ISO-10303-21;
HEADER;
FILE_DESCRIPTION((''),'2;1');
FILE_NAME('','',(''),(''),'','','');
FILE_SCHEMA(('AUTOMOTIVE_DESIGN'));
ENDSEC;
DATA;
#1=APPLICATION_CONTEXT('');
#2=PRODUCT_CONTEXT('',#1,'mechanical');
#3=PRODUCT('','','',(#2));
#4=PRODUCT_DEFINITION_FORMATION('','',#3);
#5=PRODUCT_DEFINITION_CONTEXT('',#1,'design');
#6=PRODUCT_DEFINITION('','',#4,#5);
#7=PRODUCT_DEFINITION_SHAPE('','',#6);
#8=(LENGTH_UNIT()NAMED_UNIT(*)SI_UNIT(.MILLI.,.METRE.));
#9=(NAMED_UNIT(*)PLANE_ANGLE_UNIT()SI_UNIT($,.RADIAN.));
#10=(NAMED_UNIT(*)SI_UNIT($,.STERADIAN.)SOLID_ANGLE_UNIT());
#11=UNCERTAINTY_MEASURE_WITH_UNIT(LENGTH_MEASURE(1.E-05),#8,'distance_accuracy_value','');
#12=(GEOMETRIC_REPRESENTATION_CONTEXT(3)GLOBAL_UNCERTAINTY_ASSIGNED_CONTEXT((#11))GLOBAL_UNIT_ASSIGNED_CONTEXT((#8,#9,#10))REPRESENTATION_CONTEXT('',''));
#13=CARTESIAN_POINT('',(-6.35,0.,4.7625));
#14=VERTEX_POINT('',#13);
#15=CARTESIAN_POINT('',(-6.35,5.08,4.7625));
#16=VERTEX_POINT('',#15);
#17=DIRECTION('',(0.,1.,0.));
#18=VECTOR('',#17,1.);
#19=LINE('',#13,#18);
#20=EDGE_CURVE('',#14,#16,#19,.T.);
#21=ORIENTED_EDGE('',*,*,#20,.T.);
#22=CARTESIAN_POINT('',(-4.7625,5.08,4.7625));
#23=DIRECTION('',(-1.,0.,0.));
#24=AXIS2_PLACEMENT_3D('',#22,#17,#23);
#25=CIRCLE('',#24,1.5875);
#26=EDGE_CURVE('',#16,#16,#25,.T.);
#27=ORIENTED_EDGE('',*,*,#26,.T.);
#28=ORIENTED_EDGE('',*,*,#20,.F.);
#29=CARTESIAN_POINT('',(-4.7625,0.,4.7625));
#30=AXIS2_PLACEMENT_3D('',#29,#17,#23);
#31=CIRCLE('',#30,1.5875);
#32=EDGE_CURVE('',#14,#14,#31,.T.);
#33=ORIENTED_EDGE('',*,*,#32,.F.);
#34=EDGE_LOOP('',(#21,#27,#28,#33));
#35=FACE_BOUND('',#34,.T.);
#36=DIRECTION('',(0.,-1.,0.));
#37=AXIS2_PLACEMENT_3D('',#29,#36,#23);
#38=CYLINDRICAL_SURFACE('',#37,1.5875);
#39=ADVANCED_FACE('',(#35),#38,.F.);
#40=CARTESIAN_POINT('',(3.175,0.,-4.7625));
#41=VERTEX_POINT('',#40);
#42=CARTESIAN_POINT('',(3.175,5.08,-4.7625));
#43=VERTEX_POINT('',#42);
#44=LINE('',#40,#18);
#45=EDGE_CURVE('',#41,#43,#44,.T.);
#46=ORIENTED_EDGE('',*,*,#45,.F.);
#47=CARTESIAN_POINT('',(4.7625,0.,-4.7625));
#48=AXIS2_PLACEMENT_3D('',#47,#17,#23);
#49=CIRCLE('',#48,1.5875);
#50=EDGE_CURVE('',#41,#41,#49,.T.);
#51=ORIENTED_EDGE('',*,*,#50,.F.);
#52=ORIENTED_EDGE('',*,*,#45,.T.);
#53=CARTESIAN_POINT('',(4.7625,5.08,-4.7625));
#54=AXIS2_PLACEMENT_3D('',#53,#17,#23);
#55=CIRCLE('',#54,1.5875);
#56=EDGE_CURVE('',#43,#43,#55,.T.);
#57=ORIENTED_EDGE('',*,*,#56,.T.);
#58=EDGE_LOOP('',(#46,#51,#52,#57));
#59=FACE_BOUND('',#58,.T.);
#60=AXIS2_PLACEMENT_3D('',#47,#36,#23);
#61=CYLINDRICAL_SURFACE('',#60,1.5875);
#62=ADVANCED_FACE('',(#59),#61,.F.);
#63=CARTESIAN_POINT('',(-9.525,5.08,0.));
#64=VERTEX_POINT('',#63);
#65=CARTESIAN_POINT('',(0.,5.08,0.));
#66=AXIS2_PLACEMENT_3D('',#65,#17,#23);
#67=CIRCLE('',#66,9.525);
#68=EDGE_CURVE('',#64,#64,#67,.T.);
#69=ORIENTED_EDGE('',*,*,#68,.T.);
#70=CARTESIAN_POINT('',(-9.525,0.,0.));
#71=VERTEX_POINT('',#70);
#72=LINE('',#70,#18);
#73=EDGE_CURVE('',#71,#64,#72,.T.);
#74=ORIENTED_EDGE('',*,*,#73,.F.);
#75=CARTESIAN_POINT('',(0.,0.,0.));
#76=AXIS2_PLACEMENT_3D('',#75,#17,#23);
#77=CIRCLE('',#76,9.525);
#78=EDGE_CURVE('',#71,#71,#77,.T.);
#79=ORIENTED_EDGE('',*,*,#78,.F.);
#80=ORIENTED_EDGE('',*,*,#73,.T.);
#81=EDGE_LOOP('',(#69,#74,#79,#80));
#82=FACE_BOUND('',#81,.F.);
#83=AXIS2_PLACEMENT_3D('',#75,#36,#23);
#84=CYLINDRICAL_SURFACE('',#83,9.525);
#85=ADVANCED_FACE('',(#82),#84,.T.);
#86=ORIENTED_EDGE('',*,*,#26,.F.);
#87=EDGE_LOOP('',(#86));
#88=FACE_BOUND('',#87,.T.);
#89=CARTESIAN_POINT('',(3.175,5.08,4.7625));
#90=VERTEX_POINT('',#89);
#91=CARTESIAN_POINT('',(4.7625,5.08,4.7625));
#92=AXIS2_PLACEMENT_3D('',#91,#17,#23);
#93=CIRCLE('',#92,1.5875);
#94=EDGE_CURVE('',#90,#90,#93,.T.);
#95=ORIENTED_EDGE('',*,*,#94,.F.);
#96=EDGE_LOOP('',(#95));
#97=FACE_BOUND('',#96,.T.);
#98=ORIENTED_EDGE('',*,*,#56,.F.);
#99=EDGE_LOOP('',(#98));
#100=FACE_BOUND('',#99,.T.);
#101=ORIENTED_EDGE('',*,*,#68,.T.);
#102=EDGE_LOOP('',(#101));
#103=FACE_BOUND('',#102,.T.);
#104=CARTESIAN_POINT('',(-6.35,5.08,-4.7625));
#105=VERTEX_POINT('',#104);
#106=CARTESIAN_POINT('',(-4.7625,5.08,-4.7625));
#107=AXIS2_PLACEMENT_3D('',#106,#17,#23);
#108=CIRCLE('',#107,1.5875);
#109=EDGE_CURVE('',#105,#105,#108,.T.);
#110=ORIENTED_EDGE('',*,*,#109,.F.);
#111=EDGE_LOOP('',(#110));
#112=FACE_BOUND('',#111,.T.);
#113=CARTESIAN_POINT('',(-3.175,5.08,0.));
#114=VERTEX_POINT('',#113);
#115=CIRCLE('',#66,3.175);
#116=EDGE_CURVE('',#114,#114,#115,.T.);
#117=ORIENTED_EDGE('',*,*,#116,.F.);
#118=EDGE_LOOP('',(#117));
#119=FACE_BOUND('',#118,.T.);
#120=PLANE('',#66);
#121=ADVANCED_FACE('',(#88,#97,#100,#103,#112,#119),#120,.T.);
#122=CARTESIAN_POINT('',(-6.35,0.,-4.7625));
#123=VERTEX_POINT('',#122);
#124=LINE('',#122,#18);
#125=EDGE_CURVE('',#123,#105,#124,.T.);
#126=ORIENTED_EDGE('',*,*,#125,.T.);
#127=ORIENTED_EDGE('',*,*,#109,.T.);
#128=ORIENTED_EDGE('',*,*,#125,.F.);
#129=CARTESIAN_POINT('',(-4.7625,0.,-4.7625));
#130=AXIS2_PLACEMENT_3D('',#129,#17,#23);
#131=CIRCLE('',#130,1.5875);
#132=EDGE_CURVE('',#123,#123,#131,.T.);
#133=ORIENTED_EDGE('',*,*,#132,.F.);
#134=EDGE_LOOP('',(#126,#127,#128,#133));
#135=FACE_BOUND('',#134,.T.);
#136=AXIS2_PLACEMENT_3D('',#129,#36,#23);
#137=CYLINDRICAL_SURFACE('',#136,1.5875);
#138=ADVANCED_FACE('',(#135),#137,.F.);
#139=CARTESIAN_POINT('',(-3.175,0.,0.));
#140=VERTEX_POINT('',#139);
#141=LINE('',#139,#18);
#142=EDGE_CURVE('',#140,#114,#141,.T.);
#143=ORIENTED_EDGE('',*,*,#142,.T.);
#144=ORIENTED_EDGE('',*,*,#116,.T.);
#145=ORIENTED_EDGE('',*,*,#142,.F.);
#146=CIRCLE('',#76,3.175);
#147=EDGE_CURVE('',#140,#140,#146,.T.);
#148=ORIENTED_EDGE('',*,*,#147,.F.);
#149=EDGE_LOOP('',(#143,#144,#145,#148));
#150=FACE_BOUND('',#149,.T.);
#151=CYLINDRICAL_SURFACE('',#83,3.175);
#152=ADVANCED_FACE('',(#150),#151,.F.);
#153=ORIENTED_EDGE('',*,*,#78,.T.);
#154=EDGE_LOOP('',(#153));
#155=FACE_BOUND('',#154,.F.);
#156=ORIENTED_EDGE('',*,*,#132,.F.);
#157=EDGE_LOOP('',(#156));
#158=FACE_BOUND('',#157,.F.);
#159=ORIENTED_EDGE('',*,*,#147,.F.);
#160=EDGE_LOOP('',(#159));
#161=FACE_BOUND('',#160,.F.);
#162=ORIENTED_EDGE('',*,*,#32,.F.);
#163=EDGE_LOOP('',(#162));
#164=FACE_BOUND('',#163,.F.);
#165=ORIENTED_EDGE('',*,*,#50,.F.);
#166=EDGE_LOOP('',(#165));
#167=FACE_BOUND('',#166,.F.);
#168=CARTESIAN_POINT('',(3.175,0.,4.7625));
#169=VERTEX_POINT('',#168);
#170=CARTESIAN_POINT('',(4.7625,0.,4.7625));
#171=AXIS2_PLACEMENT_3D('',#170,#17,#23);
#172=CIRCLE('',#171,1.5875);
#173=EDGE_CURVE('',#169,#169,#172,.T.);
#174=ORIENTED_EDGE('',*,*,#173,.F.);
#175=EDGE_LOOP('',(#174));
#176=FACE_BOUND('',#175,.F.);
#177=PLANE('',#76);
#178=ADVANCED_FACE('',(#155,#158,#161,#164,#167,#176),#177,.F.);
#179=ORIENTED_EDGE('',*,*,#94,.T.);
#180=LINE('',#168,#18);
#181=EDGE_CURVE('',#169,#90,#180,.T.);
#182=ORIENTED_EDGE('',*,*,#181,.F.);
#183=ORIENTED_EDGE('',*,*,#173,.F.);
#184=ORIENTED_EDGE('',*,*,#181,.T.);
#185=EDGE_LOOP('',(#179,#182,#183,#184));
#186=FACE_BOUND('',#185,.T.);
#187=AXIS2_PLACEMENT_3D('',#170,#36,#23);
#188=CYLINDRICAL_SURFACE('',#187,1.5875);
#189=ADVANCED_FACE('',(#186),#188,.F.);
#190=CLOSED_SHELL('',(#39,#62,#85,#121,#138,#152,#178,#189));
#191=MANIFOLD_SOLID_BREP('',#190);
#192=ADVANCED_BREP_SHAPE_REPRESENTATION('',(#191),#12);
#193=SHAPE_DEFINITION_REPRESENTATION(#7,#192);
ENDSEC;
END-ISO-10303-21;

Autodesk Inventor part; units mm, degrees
ref_plane "YZ Plane" through (0, 0, 0) normal (1, 0, 0) x (0, 1, 0)
ref_plane "XZ Plane" through (0, 0, 0) normal (0, 1, 0) x (-1, 0, 0)
ref_plane "XY Plane" through (0, 0, 0) normal (0, 0, 1) x (1, 0, 0)
sketch "Sketch1" plane through (0, 0, 0) normal (0, 1, 0) x (-1, 0, 0)
  circle A0 centre (0, 0) radius 9.525
  circle A1 centre (0, 0) radius 3.175
  circle A2 centre (4.7625, 4.7625) radius 1.5875
  circle A3 centre (-4.7625, 4.7625) radius 1.5875
  circle A4 centre (-4.7625, -4.7625) radius 1.5875
  circle A5 centre (4.7625, -4.7625) radius 1.5875
  dimension "d0" = 19.05
  dimension "d1" = 6.35
  dimension "d2" = 3.175
  dimension "d5" = 360
extrude "Extrusion1" add sketch "Sketch1" along normal blind 5.08
properties part number "Contracting Finger Motion Ring (motor to shaft)"
